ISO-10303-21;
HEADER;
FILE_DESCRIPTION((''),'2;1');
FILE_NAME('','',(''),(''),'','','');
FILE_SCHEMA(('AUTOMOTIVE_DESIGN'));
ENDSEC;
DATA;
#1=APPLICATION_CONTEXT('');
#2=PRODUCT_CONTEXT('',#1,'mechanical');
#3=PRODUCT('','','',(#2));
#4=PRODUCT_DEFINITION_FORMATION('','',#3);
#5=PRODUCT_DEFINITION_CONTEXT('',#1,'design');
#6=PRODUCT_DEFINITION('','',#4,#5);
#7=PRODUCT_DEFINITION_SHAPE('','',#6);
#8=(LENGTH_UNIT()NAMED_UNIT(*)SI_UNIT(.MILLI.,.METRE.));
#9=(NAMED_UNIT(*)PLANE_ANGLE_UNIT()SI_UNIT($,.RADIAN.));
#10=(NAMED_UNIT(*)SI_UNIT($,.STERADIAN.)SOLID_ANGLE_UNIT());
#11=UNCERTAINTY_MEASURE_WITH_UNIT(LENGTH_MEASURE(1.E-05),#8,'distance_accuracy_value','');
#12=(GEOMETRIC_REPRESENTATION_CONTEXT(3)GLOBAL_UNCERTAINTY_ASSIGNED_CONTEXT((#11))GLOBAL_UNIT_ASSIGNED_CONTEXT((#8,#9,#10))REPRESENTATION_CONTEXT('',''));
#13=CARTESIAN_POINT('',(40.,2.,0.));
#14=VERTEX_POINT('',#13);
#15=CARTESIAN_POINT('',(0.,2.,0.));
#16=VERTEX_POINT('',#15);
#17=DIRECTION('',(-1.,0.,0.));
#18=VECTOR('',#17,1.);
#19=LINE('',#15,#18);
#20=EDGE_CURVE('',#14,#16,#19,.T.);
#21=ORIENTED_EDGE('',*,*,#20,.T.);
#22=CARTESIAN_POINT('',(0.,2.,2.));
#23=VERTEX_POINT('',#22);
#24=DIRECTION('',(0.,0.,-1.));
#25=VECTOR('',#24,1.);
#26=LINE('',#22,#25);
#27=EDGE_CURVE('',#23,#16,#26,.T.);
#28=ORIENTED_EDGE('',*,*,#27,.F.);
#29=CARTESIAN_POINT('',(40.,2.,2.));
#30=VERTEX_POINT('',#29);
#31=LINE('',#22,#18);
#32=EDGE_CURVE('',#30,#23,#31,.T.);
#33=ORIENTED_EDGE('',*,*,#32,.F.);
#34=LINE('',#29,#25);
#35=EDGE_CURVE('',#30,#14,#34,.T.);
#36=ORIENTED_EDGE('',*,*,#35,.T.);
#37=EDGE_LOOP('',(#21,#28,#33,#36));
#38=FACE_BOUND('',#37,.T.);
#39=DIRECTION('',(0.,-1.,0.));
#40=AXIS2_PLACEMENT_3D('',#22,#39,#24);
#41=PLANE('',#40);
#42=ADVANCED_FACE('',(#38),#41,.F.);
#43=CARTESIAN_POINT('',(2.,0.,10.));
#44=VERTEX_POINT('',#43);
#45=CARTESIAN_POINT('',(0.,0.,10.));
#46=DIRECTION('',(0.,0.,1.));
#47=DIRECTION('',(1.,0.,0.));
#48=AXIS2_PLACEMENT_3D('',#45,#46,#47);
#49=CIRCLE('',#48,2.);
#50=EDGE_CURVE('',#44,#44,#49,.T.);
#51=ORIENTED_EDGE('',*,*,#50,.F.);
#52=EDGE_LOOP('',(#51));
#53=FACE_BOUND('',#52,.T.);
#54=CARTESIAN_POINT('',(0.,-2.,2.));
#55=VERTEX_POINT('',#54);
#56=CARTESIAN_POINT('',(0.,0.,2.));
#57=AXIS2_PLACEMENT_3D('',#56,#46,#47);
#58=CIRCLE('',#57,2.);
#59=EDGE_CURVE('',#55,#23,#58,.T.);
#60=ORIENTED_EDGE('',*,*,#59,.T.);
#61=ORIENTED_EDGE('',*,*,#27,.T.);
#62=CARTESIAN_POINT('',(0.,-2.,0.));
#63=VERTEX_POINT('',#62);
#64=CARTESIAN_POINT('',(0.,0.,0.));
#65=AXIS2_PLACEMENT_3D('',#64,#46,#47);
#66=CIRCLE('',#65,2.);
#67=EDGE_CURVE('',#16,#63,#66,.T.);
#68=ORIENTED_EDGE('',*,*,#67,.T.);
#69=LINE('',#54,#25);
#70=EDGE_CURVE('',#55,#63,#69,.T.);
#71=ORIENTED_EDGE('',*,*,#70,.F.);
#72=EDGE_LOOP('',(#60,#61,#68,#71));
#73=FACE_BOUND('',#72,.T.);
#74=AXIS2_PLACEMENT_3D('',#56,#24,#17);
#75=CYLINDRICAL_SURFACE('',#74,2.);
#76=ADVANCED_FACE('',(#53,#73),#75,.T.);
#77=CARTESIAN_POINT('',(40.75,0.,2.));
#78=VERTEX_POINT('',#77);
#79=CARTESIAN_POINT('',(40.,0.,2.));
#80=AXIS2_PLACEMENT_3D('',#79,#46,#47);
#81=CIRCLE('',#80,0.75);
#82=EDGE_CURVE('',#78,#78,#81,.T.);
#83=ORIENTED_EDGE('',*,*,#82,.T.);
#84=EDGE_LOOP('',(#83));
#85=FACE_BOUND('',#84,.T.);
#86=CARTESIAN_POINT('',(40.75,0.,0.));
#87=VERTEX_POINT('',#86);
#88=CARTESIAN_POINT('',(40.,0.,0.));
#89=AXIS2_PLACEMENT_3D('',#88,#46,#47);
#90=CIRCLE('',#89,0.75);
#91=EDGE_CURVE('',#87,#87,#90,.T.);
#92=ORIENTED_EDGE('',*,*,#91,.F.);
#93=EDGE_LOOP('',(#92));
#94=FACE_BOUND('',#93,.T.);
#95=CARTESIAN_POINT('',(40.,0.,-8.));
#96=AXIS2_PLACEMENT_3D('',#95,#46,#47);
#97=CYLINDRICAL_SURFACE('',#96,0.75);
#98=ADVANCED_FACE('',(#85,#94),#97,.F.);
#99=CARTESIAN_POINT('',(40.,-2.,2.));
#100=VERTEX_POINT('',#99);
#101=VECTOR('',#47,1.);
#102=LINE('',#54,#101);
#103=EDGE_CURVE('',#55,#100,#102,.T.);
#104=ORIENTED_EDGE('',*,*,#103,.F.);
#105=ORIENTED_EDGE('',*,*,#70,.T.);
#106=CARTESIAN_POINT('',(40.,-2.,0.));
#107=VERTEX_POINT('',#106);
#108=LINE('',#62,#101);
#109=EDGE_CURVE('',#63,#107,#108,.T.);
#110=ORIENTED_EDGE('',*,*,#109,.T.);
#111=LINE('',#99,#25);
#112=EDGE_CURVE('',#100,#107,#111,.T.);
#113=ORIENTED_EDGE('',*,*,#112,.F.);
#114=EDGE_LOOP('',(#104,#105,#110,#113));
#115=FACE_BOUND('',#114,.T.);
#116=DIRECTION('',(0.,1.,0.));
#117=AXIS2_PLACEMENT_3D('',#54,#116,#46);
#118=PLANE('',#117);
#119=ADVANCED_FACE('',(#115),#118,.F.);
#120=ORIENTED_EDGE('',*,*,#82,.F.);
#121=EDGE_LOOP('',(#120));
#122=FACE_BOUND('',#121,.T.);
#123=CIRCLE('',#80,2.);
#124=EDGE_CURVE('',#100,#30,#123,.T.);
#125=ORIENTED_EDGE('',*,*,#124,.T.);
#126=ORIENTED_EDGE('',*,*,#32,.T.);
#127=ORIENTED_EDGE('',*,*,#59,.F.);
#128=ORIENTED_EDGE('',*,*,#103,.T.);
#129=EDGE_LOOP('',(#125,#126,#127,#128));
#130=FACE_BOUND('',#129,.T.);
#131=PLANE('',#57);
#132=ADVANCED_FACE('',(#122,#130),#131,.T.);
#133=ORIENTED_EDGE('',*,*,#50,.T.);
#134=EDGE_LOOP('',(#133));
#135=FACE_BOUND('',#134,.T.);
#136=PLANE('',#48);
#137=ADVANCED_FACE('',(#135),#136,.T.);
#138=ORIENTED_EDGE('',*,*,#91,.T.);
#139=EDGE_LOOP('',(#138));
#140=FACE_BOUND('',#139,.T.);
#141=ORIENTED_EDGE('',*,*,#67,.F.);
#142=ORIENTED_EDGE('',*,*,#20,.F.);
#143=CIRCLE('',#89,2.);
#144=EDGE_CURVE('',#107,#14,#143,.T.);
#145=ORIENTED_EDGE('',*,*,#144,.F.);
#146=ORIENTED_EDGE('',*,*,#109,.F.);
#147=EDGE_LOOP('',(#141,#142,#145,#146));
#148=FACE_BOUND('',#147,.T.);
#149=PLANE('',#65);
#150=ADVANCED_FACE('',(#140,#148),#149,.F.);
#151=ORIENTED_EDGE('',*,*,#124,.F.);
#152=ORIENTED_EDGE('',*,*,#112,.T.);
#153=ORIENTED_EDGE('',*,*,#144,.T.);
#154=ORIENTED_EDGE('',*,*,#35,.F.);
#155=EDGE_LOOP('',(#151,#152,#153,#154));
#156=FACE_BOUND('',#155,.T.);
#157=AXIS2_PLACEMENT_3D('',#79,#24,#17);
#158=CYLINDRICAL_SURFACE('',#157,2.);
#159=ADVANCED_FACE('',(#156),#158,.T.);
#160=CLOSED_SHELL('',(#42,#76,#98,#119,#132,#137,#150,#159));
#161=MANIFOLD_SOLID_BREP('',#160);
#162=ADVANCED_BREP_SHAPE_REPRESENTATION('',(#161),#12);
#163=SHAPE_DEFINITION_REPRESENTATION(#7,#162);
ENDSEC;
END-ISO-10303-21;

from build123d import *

# Parameters (mm, degrees)
BOSS_EXTRUDE1_DEPTH   = 2
SKETCH2_R             = 2
BOSS_EXTRUDE2_DEPTH   = 8
CROQUIS1_R            = 0.75
CORTAR_EXTRUIR1_DEPTH = 10


with BuildPart() as part:
    # Sketch1 → Boss-Extrude1 (new body)
    with BuildSketch(Plane.XY):
        with BuildLine():
            Line((0, -2), (40, -2))
            ThreePointArc((40, -2), (42, 0), (40, 2))
            Line((40, 2), (0, 2))
            ThreePointArc((0, 2), (-2, 0), (0, -2))
        make_face()
    extrude(amount=BOSS_EXTRUDE1_DEPTH)

    # Sketch2 → Boss-Extrude2 (add)
    with BuildSketch(Plane.XY.offset(2)):
        with Locations(Location((0, 0, 0), (0, 0, 270))):
            Circle(SKETCH2_R)
    extrude(amount=BOSS_EXTRUDE2_DEPTH)

    # Croquis1 → Cortar-Extruir1 (cut)
    with BuildSketch(Plane.XY.offset(2)):
        with Locations((40, 0)):
            Circle(CROQUIS1_R)
    extrude(amount=-CORTAR_EXTRUIR1_DEPTH, mode=Mode.SUBTRACT)


solid = part.part
